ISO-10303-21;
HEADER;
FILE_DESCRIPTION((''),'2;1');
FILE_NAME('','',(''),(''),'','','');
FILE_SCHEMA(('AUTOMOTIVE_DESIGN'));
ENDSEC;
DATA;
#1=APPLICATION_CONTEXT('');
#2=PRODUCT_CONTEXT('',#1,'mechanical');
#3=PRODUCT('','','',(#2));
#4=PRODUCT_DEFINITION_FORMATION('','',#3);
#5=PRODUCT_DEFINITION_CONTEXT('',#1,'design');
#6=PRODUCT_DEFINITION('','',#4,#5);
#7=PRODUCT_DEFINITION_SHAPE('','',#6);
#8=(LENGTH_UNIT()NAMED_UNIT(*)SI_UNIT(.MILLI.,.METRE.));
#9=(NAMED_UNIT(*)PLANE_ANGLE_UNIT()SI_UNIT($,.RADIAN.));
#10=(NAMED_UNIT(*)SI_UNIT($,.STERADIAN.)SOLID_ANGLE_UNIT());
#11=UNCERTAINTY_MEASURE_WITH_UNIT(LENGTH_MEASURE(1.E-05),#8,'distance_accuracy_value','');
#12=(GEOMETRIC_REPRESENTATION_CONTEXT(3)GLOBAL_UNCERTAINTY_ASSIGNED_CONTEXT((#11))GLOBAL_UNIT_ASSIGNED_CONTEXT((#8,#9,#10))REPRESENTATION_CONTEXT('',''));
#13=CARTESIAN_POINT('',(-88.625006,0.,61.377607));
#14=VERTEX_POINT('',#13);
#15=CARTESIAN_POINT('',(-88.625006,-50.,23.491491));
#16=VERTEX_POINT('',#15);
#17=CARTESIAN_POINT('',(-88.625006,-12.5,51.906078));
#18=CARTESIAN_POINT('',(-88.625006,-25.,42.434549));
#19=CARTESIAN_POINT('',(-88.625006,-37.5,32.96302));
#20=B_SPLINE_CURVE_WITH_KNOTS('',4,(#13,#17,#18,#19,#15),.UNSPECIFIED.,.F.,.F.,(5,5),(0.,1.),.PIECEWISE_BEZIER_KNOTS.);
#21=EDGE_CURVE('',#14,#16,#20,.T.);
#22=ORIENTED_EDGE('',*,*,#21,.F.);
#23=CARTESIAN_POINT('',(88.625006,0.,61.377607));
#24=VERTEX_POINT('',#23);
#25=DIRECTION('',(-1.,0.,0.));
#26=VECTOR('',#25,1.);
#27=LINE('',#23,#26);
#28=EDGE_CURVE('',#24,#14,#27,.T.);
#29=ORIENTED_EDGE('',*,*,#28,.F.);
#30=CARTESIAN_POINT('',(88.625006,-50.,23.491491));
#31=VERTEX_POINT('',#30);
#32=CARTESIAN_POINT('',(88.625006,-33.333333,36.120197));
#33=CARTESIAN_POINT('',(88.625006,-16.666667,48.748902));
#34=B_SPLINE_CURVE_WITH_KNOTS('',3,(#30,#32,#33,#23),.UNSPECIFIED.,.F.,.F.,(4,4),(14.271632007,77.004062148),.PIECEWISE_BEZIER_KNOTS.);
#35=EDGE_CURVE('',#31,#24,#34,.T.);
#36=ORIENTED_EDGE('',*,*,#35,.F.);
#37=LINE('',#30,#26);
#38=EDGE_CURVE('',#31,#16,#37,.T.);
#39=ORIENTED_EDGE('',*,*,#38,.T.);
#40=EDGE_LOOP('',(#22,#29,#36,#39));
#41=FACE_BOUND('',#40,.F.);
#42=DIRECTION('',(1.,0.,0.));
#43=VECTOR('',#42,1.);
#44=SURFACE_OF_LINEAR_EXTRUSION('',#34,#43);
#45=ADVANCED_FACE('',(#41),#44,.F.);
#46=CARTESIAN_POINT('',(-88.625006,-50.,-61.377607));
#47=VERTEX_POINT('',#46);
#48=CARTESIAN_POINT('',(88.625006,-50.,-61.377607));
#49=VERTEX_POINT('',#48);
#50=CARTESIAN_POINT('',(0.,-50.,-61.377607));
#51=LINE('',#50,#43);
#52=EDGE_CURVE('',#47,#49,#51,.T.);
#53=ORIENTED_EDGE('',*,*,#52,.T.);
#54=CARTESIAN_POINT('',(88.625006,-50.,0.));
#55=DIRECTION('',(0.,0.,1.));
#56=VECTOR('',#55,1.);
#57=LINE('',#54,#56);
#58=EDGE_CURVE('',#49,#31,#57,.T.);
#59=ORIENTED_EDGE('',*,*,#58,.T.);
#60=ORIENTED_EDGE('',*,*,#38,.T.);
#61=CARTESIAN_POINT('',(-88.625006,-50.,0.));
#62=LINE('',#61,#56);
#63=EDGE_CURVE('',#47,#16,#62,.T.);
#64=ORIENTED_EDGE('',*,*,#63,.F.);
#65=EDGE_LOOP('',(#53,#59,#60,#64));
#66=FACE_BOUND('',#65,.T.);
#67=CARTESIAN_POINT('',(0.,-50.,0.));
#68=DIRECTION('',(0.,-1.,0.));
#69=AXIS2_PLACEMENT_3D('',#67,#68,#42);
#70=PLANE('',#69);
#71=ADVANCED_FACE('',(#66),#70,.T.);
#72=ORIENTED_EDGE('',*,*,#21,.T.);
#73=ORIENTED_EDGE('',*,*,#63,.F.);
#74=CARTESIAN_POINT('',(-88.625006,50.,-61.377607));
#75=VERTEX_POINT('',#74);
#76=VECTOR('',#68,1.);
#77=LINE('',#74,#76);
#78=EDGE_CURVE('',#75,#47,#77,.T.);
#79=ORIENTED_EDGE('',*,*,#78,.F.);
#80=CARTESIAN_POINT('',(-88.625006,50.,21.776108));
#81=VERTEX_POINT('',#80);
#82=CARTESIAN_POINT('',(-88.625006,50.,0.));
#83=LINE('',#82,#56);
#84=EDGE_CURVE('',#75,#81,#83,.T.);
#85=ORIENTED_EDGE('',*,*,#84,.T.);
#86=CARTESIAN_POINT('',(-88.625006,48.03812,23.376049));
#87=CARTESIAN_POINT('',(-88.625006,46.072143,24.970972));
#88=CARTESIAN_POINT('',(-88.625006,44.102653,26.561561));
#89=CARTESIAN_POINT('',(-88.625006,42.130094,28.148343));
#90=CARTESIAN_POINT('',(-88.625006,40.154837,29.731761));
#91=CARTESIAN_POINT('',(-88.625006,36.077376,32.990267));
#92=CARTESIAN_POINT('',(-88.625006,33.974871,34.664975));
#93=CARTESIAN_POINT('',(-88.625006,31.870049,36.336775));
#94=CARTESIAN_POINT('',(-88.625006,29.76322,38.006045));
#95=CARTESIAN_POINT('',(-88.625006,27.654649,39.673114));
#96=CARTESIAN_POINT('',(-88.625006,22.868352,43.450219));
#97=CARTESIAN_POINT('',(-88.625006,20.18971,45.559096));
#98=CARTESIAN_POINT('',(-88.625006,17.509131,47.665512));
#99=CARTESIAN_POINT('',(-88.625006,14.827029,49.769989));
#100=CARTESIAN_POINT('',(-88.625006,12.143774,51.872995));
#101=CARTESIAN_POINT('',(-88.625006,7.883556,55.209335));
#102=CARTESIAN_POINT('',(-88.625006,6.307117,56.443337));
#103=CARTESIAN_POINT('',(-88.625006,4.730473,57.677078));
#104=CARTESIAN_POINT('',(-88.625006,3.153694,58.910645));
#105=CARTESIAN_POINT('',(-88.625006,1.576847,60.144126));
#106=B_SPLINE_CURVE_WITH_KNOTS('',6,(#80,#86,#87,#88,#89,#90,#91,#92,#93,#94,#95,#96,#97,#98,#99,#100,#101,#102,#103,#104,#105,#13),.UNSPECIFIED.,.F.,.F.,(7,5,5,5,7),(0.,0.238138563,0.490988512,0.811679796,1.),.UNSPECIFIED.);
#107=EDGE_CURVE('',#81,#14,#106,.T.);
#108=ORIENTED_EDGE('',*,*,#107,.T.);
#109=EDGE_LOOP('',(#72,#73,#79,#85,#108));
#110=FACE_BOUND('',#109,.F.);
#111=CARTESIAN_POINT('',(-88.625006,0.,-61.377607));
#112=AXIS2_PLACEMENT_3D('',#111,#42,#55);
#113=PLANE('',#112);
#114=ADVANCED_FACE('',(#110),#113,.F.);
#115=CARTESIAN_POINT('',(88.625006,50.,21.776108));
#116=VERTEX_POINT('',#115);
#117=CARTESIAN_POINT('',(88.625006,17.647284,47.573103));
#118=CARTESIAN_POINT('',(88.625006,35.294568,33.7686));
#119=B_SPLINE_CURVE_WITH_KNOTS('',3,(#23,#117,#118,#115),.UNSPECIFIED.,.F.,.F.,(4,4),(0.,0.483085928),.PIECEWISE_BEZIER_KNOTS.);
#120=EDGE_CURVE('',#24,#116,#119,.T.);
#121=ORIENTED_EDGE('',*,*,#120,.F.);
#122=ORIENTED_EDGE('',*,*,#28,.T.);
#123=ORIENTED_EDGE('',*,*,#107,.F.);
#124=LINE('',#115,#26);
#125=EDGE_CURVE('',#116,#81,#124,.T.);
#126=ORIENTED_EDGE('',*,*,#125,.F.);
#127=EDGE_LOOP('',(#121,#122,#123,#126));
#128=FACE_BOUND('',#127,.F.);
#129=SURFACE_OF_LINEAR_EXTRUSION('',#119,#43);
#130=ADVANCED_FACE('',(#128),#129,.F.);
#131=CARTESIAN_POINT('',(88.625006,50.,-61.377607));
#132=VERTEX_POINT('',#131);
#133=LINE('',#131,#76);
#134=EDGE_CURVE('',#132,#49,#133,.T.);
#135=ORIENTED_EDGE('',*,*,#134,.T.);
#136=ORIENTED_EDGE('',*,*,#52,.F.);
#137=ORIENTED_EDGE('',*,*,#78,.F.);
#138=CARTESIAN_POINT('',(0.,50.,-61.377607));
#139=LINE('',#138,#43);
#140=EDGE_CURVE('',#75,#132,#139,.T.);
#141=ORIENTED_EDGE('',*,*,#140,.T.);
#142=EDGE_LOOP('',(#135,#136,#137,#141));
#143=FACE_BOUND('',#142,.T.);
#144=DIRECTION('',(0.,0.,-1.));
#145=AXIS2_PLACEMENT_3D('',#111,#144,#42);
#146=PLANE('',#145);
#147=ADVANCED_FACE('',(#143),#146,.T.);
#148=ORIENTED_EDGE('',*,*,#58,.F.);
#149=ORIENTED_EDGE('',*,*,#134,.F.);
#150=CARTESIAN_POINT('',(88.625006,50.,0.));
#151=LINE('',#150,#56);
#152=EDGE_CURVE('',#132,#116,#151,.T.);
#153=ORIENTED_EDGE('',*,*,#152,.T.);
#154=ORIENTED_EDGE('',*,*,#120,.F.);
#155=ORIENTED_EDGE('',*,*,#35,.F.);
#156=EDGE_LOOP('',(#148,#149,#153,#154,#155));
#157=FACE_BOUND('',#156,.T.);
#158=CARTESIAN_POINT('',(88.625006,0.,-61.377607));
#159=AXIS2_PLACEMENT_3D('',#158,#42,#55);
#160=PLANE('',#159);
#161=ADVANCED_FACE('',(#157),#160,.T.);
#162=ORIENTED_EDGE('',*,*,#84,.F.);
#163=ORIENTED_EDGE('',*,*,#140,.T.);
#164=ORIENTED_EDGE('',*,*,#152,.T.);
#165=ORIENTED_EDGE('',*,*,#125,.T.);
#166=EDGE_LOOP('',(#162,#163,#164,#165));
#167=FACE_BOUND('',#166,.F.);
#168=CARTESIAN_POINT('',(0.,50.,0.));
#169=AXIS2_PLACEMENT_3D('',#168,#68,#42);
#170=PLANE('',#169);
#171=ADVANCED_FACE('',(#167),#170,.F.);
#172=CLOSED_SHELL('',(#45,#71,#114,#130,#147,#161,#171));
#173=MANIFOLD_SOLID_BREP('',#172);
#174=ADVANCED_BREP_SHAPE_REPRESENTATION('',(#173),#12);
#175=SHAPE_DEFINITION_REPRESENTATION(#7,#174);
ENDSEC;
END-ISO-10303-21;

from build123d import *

# Parameters (mm, degrees)
F0_W     = 177.2500127554
F0_H     = 122.755214572
F1_DEPTH = 50
F3_DEPTH = 281.4


with BuildPart() as f1:
    # F0 (on Front) → F1 (new body, symmetric)
    with BuildSketch(Plane.XZ):
        Rectangle(F0_W, F0_H)
    extrude(amount=F1_DEPTH, both=True)

    # F2 (on face) → F3 (cut)
    with BuildSketch(Plane.YZ.offset(88.6250063777)):
        with BuildLine():
            Line((-50, 61.377607286), (-50, 23.49149121))
            add(Edge.make_bspline(
                [(-50, 23.49149121), (-33.3333333333, 36.1201965687), (-16.6666666667, 48.7489019273), (0, 61.377607286)],
                knots=[14.2716320074, 14.2716320074, 14.2716320074, 14.2716320074, 77.0040621478, 77.0040621478, 77.0040621478, 77.0040621478], degree=3))
            Line((0, 61.377607286), (-50, 61.377607286))
        make_face()
        with BuildLine():
            Line((50, 61.377607286), (0, 61.377607286))
            add(Edge.make_bspline(
                [(0, 61.377607286), (17.6472838318, 47.5731034788), (35.2945676635, 33.7685996716), (50, 21.7761076418)],
                knots=[0, 0, 0, 0, 0.483085928, 0.483085928, 0.483085928, 0.483085928], degree=3))
            Line((50, 21.7761076418), (50, 61.377607286))
        make_face()
    extrude(amount=-F3_DEPTH, mode=Mode.SUBTRACT)


solid = f1.part
